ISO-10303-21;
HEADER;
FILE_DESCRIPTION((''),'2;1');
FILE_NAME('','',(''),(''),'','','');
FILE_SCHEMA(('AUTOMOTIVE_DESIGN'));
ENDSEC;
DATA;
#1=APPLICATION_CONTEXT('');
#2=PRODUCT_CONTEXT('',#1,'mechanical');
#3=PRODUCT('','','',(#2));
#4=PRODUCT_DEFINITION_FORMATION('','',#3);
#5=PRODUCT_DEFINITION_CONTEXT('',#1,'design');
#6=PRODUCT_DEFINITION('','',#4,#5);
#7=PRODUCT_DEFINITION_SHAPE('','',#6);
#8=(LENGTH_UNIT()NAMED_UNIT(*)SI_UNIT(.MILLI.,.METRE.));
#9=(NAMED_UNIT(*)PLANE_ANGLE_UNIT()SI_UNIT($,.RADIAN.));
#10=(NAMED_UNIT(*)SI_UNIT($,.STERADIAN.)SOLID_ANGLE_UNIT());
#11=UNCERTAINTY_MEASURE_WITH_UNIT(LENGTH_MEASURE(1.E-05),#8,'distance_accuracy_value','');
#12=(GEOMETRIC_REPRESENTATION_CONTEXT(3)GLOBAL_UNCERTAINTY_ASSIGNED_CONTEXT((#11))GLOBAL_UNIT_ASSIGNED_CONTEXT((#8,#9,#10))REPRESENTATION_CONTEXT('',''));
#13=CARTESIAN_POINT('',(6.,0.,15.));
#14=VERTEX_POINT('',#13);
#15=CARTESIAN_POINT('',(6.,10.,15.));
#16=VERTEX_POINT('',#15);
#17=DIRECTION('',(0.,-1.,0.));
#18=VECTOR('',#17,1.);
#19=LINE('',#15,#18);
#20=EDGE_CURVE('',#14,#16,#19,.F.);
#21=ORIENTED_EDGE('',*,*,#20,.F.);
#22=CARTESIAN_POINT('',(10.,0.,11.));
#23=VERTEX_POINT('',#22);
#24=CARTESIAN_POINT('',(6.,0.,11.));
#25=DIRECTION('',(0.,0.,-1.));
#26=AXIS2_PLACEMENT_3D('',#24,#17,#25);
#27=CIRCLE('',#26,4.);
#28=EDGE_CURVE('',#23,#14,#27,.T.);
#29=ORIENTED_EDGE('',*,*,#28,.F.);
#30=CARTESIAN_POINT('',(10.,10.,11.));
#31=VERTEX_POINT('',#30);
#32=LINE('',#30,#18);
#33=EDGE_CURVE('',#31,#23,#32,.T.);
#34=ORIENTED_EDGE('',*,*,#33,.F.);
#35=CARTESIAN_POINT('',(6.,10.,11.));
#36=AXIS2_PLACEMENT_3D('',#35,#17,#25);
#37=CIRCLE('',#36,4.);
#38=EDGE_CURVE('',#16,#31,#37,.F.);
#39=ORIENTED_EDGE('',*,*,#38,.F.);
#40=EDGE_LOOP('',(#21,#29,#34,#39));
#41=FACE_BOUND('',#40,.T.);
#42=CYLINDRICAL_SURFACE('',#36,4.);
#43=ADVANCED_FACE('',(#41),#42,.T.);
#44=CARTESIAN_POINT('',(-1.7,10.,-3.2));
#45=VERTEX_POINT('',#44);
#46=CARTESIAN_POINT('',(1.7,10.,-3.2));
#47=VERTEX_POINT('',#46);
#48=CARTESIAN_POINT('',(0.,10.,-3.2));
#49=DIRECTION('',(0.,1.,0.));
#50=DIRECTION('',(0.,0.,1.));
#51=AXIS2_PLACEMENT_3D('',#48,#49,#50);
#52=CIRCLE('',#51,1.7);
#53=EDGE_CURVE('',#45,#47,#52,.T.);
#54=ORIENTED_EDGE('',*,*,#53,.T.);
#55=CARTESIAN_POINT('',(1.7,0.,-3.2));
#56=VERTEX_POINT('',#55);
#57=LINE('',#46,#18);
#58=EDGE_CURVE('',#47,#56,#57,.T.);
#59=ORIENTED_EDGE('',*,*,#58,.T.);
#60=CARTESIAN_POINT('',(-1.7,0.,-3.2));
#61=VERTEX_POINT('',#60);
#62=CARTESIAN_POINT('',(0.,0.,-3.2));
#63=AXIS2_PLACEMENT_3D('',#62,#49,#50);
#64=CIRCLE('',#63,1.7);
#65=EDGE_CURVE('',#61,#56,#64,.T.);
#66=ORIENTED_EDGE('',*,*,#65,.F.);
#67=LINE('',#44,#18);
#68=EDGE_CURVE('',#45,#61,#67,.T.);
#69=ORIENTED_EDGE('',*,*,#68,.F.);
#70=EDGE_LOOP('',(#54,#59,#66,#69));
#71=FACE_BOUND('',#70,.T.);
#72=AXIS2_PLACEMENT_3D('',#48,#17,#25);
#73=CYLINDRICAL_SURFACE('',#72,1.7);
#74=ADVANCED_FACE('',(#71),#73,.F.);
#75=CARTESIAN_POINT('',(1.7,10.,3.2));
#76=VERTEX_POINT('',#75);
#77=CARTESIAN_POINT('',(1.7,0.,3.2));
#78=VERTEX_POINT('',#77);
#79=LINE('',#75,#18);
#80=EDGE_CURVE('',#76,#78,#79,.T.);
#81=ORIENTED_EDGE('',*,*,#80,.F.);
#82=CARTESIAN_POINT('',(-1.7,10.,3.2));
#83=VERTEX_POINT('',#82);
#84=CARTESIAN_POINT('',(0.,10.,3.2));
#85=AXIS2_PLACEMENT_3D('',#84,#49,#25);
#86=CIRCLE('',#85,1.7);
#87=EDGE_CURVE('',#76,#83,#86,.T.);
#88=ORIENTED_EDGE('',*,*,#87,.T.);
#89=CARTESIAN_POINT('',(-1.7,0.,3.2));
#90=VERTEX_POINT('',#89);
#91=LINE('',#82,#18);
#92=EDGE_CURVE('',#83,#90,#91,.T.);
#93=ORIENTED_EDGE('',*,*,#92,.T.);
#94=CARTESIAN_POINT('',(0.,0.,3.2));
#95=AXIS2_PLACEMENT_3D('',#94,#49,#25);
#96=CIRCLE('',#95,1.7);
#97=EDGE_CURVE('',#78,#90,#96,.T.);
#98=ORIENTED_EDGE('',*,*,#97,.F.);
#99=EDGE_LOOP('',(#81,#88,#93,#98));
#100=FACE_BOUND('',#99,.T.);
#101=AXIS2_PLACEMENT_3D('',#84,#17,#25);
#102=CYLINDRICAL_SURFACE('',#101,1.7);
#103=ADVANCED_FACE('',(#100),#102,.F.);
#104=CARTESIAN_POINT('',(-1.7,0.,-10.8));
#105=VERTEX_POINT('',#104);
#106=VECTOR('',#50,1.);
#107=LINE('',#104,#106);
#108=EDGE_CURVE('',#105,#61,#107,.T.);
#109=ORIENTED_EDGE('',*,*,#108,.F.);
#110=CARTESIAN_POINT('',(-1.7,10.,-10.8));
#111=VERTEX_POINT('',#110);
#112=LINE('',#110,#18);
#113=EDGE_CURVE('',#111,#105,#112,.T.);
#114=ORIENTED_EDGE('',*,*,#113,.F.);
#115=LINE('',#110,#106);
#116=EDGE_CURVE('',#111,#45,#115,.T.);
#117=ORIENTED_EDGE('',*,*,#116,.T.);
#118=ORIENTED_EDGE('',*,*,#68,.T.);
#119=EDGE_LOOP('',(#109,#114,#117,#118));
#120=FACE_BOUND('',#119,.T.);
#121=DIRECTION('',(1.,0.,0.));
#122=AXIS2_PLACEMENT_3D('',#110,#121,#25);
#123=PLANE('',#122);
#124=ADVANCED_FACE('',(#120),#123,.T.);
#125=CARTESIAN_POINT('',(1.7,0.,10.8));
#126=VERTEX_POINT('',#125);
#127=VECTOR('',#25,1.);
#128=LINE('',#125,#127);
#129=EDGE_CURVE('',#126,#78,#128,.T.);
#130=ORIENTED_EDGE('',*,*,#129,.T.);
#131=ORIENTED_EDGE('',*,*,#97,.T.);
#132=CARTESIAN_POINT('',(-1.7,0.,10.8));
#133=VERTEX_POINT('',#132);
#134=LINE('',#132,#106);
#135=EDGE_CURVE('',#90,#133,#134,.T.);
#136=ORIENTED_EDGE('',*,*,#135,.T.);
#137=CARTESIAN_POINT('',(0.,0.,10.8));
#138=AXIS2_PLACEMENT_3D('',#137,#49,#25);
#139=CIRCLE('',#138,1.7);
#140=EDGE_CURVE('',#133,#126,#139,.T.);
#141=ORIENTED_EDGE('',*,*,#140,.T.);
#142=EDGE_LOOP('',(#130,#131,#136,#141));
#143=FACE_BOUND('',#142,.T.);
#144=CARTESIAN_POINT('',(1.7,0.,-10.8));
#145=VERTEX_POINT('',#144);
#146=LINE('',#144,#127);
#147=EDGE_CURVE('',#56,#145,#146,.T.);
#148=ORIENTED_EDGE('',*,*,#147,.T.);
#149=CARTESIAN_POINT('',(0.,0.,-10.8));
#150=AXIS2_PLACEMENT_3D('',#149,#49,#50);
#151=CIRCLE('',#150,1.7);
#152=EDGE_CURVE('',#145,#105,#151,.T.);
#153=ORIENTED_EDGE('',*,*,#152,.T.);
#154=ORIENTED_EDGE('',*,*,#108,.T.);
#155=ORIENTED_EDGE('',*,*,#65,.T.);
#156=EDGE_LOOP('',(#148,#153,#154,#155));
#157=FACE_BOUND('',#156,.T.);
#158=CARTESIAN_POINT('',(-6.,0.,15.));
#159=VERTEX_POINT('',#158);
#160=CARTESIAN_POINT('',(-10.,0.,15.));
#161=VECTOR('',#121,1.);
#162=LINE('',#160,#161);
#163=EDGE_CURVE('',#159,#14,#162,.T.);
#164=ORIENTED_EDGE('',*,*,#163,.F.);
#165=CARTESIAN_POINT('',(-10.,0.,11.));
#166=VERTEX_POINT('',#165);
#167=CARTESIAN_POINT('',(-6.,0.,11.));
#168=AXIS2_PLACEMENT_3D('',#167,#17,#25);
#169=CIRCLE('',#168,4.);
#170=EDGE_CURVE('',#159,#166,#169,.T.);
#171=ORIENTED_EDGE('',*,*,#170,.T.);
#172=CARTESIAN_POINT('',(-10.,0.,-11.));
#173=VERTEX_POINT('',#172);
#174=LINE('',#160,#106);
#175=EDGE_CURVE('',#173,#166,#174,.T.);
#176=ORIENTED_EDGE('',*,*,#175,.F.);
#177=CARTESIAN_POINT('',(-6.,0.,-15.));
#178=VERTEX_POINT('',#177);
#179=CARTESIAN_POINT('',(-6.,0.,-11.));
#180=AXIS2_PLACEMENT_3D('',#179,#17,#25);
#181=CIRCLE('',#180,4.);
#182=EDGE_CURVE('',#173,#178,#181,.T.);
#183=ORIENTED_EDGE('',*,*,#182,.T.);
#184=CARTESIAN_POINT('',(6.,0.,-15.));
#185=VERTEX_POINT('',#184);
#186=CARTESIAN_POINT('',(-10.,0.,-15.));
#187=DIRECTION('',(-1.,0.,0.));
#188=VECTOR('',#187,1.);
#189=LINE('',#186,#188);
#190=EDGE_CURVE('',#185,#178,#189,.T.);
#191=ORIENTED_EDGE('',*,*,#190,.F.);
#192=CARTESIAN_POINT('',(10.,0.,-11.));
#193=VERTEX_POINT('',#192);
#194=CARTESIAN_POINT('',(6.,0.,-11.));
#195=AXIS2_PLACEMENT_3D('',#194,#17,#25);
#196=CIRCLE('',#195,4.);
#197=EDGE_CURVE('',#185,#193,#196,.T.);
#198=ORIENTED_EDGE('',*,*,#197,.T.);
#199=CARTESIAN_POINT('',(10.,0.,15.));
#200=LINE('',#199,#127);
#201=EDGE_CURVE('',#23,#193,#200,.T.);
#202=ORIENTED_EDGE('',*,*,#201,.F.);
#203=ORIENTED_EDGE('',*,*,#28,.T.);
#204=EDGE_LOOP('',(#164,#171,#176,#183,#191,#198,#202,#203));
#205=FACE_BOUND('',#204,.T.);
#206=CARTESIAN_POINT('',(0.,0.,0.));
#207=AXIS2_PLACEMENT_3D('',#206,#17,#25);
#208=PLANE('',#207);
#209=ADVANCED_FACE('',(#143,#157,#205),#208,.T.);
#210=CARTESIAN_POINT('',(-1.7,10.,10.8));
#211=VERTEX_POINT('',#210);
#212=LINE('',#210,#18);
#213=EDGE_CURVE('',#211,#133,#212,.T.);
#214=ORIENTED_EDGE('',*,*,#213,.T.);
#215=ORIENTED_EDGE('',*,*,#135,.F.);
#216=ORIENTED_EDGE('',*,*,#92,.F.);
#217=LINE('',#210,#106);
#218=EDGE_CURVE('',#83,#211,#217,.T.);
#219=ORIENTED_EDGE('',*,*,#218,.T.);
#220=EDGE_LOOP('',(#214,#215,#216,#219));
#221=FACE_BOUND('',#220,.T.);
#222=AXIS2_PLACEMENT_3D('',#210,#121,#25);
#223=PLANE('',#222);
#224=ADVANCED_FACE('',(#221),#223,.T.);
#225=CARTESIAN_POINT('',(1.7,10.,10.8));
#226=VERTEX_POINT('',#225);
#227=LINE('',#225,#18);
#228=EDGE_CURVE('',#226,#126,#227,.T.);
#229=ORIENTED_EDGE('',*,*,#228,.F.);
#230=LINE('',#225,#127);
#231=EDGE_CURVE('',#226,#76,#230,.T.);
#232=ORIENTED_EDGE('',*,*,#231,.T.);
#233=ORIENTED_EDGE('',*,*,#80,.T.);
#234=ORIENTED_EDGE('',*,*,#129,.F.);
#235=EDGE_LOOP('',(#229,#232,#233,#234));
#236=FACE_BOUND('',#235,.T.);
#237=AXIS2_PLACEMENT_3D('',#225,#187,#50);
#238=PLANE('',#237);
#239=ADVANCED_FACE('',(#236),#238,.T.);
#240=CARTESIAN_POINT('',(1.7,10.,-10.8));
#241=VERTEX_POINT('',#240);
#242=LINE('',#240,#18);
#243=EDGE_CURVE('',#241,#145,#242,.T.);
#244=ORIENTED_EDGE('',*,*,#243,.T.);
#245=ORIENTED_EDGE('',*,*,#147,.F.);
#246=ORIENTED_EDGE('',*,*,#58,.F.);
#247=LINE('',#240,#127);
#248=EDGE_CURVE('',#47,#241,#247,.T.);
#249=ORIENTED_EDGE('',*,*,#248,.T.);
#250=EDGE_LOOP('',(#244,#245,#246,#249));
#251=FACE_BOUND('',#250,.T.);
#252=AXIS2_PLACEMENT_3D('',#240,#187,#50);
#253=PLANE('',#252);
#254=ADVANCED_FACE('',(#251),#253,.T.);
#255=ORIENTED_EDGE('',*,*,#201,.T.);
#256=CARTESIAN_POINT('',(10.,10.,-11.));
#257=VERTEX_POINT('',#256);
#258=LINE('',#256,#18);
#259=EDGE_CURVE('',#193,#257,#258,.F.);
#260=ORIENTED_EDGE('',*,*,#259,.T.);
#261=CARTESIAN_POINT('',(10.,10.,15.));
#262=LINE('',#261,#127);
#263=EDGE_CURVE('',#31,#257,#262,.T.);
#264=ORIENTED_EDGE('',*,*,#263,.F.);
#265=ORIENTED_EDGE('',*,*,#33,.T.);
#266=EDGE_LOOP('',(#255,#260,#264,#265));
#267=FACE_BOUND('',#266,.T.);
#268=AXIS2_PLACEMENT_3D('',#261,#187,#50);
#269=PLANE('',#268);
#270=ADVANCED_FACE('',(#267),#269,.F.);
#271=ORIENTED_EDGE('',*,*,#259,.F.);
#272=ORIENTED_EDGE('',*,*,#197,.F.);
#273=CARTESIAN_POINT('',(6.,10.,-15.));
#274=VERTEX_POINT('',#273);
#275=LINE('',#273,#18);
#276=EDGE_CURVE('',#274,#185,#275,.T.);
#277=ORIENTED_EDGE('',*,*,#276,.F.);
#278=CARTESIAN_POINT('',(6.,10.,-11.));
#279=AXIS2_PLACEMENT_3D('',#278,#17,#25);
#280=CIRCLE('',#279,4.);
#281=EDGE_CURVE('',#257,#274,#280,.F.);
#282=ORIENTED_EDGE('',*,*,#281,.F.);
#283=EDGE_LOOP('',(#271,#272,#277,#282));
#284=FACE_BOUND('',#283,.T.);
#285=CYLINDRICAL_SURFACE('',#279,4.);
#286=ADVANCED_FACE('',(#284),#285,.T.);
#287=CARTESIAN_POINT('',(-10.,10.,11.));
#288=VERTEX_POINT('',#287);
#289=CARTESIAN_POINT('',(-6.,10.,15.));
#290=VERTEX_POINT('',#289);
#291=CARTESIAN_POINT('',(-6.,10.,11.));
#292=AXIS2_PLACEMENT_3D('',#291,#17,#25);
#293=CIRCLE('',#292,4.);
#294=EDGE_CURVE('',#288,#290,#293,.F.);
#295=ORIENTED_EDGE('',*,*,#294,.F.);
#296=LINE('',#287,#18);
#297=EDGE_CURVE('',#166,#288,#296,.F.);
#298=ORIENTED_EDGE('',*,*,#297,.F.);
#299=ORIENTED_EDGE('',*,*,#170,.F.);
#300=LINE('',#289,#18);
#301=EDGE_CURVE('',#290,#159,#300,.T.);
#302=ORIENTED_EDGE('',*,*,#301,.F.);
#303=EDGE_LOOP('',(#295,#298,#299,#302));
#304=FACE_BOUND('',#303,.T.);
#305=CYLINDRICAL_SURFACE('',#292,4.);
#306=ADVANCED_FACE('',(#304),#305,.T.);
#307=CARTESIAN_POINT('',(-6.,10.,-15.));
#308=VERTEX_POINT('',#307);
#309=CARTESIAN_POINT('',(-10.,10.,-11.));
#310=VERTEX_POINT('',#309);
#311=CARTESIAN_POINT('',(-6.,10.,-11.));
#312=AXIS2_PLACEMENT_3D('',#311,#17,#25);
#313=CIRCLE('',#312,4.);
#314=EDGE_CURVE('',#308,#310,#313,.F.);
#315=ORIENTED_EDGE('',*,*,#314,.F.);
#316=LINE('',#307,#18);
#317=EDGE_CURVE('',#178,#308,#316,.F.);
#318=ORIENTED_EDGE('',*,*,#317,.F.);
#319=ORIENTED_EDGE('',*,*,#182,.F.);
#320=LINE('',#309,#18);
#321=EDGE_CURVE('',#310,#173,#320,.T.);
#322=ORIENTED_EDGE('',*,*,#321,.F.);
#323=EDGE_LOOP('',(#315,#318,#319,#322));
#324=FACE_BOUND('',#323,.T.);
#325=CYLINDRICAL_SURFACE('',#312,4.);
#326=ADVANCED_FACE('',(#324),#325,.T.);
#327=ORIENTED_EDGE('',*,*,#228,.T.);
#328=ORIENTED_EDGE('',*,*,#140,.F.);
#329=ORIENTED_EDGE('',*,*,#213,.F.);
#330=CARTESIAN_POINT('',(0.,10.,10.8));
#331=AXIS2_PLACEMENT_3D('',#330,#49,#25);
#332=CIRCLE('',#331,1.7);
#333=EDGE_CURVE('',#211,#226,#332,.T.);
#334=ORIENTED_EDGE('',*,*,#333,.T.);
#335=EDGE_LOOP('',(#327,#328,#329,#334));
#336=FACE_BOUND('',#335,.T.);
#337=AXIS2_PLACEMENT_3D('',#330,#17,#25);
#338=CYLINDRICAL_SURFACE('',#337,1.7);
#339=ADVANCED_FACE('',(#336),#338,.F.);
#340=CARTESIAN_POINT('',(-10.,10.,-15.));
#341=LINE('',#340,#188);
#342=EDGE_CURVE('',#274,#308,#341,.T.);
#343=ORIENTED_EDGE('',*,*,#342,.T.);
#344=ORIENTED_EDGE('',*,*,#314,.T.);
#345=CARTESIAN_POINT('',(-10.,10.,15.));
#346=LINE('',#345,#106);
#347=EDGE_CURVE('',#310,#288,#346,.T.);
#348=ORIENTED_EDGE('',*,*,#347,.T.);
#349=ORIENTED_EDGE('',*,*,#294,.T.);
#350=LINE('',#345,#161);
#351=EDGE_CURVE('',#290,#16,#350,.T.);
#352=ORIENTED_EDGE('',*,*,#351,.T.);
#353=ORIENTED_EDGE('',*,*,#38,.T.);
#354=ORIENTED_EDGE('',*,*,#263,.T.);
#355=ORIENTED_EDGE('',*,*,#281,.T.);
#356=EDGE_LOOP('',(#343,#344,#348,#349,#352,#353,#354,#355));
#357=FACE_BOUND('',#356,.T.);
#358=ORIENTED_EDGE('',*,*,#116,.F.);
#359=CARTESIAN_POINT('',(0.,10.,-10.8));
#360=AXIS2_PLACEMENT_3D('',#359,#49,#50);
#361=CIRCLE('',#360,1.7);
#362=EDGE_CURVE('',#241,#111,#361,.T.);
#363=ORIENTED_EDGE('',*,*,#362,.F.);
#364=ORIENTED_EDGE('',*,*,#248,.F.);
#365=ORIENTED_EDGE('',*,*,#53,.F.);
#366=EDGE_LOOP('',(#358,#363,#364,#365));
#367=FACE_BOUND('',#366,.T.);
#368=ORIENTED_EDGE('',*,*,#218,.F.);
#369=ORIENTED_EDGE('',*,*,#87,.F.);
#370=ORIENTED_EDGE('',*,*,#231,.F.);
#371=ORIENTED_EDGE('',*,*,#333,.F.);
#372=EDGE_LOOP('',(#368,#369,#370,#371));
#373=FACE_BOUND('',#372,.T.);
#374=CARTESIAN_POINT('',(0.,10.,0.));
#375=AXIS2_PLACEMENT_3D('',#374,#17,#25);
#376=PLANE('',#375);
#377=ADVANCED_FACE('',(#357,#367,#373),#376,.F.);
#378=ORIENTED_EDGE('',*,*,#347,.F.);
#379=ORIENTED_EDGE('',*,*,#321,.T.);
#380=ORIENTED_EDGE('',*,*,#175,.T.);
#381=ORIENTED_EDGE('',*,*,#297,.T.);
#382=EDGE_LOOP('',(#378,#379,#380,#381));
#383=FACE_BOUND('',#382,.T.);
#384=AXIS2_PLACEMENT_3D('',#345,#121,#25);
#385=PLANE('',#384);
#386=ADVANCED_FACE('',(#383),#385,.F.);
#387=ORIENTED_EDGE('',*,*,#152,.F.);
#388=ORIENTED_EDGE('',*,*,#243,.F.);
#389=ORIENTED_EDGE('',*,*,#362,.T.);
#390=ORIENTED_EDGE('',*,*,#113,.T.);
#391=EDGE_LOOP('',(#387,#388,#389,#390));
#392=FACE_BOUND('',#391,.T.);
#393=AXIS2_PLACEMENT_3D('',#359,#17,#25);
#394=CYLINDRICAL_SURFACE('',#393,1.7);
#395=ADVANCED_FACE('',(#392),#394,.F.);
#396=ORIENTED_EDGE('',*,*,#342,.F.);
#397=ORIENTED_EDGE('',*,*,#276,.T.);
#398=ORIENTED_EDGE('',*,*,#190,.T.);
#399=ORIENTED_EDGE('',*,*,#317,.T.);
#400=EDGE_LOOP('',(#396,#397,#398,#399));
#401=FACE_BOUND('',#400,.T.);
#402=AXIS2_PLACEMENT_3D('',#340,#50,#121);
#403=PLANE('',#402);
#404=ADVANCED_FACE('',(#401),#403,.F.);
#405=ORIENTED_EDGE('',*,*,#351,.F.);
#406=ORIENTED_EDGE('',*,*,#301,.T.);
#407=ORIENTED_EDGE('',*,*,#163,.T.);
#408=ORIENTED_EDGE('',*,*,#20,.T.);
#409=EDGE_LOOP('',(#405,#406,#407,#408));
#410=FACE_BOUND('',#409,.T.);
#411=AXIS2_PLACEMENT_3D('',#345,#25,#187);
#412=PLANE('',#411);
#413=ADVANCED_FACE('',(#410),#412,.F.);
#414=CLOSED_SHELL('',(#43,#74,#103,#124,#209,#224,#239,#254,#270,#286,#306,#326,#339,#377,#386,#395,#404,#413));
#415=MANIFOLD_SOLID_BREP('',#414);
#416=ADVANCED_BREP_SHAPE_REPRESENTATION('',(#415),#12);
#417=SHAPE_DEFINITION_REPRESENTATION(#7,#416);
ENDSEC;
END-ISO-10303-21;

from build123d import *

# Parameters (mm, degrees)
SKETCH1_W           = 20
SKETCH1_H           = 30
BOSS_EXTRUDE1_DEPTH = 10
FILLET1_R           = 4


with BuildPart() as part:
    # Sketch1 → Boss-Extrude1 (new body)
    with BuildSketch(Plane(origin=(0, 0, 0), x_dir=(1, 0, 0), z_dir=(0, 1, 0))):
        Rectangle(SKETCH1_W, SKETCH1_H)
        with BuildLine():
            Line((1.7, 10.8), (1.7, 3.2))
            ThreePointArc((1.7, 3.2), (0, 1.5), (-1.7, 3.2))
            Line((-1.7, 3.2), (-1.7, 10.8))
            ThreePointArc((-1.7, 10.8), (0, 12.5), (1.7, 10.8))
        make_face(mode=Mode.SUBTRACT)
        with BuildLine():
            Line((1.7, -10.8), (1.7, -3.2))
            ThreePointArc((1.7, -3.2), (0, -1.5), (-1.7, -3.2))
            Line((-1.7, -3.2), (-1.7, -10.8))
            ThreePointArc((-1.7, -10.8), (0, -12.5), (1.7, -10.8))
        make_face(mode=Mode.SUBTRACT)
    extrude(amount=BOSS_EXTRUDE1_DEPTH)

    # Fillet1
    fillet1_edges = [part.edges().sort_by_distance(p)[0] for p in [
        (10, 5, 15),
        (-10, 5, 15),
        (-10, 5, -15),
        (10, 5, -15),
    ]]
    fillet(fillet1_edges, radius=FILLET1_R)


solid = part.part
